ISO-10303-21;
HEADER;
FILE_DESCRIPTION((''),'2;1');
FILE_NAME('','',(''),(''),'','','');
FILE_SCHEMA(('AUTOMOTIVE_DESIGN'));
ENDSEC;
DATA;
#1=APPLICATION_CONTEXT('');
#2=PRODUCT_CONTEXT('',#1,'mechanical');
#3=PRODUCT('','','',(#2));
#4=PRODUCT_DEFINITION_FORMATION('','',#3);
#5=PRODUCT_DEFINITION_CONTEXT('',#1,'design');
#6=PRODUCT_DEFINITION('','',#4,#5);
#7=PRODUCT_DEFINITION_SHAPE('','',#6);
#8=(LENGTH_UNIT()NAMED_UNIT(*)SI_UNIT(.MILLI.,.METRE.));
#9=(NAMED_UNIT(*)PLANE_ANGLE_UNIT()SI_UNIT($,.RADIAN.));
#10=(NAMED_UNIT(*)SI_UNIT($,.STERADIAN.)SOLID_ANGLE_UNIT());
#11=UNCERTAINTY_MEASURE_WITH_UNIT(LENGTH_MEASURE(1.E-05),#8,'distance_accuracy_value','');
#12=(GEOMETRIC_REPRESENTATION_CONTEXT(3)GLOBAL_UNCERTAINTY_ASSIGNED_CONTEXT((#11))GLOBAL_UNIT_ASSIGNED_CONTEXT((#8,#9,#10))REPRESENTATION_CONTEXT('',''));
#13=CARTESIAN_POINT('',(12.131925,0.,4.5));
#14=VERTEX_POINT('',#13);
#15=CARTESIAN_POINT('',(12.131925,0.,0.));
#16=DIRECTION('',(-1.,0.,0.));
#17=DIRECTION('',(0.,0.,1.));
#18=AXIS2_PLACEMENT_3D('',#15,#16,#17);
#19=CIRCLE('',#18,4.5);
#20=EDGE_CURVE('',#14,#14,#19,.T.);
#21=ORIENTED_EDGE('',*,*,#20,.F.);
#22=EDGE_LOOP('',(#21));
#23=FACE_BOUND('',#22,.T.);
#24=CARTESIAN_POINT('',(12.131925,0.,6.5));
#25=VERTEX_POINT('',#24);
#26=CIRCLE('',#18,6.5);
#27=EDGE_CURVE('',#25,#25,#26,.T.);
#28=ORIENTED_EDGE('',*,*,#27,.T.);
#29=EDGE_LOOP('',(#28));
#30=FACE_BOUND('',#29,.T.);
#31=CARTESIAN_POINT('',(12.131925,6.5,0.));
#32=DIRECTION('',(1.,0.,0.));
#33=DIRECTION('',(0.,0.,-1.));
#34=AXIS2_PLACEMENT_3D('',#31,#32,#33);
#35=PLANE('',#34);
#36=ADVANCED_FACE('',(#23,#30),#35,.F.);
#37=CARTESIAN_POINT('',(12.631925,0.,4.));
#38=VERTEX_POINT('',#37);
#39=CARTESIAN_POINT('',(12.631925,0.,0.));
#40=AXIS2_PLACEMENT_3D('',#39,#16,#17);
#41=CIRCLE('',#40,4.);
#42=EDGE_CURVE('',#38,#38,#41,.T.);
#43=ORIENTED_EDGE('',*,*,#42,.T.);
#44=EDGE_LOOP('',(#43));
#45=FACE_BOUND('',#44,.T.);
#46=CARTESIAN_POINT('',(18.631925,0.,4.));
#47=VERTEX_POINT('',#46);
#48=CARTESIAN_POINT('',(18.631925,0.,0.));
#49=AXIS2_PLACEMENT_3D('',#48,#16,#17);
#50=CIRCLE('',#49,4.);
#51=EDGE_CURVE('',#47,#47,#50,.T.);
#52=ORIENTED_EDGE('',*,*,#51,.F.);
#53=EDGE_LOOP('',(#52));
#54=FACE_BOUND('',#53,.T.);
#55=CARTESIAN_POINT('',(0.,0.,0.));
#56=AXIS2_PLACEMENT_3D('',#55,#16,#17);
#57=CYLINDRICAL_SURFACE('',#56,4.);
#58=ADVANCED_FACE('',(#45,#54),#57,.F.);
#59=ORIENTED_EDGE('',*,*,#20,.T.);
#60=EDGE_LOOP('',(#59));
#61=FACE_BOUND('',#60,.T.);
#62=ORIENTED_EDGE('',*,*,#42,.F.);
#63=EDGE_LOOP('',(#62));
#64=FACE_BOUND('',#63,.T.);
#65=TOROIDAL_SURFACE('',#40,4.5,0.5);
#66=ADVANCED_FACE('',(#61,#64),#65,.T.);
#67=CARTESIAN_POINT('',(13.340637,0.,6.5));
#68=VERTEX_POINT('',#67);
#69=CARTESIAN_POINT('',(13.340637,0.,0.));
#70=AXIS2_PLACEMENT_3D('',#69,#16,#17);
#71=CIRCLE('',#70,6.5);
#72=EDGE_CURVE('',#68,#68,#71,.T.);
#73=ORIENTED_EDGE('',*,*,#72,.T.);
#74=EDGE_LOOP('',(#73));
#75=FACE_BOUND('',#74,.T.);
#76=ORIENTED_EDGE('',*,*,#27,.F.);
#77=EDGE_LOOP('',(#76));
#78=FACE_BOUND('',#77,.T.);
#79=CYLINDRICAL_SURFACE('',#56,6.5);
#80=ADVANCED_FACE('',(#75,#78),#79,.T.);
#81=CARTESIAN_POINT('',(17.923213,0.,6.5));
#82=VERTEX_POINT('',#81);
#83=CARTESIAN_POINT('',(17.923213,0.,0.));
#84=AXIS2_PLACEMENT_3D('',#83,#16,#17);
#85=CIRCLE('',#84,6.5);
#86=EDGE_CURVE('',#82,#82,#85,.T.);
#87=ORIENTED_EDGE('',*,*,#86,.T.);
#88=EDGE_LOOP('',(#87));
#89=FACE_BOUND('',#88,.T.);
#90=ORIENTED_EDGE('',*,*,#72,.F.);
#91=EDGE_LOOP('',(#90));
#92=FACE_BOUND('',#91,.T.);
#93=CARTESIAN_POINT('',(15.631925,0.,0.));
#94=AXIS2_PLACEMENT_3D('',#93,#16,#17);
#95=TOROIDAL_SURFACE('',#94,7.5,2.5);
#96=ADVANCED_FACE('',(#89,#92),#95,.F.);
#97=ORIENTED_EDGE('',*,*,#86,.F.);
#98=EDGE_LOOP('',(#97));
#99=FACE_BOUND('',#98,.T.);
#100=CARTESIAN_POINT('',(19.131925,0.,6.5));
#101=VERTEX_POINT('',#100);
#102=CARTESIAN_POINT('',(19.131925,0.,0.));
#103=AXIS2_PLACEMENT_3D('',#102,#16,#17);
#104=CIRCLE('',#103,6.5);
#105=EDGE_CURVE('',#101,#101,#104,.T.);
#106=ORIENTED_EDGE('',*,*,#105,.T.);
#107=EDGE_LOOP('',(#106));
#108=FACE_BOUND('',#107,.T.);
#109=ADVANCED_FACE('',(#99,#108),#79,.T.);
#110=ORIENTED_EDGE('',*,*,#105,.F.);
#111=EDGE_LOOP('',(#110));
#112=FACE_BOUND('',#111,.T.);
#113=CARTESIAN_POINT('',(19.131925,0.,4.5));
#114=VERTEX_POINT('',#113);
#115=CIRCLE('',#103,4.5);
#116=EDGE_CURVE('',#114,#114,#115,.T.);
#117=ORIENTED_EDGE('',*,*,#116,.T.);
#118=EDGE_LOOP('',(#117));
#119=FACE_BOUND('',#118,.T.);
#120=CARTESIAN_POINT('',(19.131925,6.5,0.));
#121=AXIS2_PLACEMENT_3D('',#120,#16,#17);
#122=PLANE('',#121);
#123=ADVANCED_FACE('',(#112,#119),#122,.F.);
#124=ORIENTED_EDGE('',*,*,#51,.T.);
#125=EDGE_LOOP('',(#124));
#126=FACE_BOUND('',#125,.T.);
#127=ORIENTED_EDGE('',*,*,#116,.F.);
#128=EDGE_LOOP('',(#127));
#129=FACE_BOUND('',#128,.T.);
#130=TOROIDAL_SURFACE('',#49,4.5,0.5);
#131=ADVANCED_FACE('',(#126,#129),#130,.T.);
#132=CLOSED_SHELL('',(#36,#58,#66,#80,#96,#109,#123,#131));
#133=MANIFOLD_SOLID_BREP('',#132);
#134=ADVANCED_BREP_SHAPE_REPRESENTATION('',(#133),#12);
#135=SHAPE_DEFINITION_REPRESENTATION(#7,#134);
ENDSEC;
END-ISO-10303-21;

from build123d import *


with BuildPart() as part:
    # Esquisse1 → Révolution1 (revolve)
    with BuildSketch(Plane.XY, mode=Mode.PRIVATE) as r_volution1_sk:
        with BuildLine():
            Line((17.923212734, 6.5), (19.131924887, 6.5))
            Line((19.131924887, 6.5), (19.131924887, 4.5))
            ThreePointArc((19.131924887, 4.5), (18.985478277, 4.146446609), (18.631924887, 4))
            Line((18.631924887, 4), (12.631924887, 4))
            ThreePointArc((12.631924887, 4), (12.278371496, 4.146446609), (12.131924887, 4.5))
            Line((12.131924887, 4.5), (12.131924887, 6.5))
            Line((12.131924887, 6.5), (13.340637039, 6.5))
            ThreePointArc((13.340637039, 6.5), (15.631924887, 5), (17.923212734, 6.5))
        make_face()
    revolve(r_volution1_sk.sketch.rotate(Axis((0, 0, 0), (1, 0, 0)), 90), axis=Axis((0, 0, 0), (1, 0, 0)))


solid = part.part
